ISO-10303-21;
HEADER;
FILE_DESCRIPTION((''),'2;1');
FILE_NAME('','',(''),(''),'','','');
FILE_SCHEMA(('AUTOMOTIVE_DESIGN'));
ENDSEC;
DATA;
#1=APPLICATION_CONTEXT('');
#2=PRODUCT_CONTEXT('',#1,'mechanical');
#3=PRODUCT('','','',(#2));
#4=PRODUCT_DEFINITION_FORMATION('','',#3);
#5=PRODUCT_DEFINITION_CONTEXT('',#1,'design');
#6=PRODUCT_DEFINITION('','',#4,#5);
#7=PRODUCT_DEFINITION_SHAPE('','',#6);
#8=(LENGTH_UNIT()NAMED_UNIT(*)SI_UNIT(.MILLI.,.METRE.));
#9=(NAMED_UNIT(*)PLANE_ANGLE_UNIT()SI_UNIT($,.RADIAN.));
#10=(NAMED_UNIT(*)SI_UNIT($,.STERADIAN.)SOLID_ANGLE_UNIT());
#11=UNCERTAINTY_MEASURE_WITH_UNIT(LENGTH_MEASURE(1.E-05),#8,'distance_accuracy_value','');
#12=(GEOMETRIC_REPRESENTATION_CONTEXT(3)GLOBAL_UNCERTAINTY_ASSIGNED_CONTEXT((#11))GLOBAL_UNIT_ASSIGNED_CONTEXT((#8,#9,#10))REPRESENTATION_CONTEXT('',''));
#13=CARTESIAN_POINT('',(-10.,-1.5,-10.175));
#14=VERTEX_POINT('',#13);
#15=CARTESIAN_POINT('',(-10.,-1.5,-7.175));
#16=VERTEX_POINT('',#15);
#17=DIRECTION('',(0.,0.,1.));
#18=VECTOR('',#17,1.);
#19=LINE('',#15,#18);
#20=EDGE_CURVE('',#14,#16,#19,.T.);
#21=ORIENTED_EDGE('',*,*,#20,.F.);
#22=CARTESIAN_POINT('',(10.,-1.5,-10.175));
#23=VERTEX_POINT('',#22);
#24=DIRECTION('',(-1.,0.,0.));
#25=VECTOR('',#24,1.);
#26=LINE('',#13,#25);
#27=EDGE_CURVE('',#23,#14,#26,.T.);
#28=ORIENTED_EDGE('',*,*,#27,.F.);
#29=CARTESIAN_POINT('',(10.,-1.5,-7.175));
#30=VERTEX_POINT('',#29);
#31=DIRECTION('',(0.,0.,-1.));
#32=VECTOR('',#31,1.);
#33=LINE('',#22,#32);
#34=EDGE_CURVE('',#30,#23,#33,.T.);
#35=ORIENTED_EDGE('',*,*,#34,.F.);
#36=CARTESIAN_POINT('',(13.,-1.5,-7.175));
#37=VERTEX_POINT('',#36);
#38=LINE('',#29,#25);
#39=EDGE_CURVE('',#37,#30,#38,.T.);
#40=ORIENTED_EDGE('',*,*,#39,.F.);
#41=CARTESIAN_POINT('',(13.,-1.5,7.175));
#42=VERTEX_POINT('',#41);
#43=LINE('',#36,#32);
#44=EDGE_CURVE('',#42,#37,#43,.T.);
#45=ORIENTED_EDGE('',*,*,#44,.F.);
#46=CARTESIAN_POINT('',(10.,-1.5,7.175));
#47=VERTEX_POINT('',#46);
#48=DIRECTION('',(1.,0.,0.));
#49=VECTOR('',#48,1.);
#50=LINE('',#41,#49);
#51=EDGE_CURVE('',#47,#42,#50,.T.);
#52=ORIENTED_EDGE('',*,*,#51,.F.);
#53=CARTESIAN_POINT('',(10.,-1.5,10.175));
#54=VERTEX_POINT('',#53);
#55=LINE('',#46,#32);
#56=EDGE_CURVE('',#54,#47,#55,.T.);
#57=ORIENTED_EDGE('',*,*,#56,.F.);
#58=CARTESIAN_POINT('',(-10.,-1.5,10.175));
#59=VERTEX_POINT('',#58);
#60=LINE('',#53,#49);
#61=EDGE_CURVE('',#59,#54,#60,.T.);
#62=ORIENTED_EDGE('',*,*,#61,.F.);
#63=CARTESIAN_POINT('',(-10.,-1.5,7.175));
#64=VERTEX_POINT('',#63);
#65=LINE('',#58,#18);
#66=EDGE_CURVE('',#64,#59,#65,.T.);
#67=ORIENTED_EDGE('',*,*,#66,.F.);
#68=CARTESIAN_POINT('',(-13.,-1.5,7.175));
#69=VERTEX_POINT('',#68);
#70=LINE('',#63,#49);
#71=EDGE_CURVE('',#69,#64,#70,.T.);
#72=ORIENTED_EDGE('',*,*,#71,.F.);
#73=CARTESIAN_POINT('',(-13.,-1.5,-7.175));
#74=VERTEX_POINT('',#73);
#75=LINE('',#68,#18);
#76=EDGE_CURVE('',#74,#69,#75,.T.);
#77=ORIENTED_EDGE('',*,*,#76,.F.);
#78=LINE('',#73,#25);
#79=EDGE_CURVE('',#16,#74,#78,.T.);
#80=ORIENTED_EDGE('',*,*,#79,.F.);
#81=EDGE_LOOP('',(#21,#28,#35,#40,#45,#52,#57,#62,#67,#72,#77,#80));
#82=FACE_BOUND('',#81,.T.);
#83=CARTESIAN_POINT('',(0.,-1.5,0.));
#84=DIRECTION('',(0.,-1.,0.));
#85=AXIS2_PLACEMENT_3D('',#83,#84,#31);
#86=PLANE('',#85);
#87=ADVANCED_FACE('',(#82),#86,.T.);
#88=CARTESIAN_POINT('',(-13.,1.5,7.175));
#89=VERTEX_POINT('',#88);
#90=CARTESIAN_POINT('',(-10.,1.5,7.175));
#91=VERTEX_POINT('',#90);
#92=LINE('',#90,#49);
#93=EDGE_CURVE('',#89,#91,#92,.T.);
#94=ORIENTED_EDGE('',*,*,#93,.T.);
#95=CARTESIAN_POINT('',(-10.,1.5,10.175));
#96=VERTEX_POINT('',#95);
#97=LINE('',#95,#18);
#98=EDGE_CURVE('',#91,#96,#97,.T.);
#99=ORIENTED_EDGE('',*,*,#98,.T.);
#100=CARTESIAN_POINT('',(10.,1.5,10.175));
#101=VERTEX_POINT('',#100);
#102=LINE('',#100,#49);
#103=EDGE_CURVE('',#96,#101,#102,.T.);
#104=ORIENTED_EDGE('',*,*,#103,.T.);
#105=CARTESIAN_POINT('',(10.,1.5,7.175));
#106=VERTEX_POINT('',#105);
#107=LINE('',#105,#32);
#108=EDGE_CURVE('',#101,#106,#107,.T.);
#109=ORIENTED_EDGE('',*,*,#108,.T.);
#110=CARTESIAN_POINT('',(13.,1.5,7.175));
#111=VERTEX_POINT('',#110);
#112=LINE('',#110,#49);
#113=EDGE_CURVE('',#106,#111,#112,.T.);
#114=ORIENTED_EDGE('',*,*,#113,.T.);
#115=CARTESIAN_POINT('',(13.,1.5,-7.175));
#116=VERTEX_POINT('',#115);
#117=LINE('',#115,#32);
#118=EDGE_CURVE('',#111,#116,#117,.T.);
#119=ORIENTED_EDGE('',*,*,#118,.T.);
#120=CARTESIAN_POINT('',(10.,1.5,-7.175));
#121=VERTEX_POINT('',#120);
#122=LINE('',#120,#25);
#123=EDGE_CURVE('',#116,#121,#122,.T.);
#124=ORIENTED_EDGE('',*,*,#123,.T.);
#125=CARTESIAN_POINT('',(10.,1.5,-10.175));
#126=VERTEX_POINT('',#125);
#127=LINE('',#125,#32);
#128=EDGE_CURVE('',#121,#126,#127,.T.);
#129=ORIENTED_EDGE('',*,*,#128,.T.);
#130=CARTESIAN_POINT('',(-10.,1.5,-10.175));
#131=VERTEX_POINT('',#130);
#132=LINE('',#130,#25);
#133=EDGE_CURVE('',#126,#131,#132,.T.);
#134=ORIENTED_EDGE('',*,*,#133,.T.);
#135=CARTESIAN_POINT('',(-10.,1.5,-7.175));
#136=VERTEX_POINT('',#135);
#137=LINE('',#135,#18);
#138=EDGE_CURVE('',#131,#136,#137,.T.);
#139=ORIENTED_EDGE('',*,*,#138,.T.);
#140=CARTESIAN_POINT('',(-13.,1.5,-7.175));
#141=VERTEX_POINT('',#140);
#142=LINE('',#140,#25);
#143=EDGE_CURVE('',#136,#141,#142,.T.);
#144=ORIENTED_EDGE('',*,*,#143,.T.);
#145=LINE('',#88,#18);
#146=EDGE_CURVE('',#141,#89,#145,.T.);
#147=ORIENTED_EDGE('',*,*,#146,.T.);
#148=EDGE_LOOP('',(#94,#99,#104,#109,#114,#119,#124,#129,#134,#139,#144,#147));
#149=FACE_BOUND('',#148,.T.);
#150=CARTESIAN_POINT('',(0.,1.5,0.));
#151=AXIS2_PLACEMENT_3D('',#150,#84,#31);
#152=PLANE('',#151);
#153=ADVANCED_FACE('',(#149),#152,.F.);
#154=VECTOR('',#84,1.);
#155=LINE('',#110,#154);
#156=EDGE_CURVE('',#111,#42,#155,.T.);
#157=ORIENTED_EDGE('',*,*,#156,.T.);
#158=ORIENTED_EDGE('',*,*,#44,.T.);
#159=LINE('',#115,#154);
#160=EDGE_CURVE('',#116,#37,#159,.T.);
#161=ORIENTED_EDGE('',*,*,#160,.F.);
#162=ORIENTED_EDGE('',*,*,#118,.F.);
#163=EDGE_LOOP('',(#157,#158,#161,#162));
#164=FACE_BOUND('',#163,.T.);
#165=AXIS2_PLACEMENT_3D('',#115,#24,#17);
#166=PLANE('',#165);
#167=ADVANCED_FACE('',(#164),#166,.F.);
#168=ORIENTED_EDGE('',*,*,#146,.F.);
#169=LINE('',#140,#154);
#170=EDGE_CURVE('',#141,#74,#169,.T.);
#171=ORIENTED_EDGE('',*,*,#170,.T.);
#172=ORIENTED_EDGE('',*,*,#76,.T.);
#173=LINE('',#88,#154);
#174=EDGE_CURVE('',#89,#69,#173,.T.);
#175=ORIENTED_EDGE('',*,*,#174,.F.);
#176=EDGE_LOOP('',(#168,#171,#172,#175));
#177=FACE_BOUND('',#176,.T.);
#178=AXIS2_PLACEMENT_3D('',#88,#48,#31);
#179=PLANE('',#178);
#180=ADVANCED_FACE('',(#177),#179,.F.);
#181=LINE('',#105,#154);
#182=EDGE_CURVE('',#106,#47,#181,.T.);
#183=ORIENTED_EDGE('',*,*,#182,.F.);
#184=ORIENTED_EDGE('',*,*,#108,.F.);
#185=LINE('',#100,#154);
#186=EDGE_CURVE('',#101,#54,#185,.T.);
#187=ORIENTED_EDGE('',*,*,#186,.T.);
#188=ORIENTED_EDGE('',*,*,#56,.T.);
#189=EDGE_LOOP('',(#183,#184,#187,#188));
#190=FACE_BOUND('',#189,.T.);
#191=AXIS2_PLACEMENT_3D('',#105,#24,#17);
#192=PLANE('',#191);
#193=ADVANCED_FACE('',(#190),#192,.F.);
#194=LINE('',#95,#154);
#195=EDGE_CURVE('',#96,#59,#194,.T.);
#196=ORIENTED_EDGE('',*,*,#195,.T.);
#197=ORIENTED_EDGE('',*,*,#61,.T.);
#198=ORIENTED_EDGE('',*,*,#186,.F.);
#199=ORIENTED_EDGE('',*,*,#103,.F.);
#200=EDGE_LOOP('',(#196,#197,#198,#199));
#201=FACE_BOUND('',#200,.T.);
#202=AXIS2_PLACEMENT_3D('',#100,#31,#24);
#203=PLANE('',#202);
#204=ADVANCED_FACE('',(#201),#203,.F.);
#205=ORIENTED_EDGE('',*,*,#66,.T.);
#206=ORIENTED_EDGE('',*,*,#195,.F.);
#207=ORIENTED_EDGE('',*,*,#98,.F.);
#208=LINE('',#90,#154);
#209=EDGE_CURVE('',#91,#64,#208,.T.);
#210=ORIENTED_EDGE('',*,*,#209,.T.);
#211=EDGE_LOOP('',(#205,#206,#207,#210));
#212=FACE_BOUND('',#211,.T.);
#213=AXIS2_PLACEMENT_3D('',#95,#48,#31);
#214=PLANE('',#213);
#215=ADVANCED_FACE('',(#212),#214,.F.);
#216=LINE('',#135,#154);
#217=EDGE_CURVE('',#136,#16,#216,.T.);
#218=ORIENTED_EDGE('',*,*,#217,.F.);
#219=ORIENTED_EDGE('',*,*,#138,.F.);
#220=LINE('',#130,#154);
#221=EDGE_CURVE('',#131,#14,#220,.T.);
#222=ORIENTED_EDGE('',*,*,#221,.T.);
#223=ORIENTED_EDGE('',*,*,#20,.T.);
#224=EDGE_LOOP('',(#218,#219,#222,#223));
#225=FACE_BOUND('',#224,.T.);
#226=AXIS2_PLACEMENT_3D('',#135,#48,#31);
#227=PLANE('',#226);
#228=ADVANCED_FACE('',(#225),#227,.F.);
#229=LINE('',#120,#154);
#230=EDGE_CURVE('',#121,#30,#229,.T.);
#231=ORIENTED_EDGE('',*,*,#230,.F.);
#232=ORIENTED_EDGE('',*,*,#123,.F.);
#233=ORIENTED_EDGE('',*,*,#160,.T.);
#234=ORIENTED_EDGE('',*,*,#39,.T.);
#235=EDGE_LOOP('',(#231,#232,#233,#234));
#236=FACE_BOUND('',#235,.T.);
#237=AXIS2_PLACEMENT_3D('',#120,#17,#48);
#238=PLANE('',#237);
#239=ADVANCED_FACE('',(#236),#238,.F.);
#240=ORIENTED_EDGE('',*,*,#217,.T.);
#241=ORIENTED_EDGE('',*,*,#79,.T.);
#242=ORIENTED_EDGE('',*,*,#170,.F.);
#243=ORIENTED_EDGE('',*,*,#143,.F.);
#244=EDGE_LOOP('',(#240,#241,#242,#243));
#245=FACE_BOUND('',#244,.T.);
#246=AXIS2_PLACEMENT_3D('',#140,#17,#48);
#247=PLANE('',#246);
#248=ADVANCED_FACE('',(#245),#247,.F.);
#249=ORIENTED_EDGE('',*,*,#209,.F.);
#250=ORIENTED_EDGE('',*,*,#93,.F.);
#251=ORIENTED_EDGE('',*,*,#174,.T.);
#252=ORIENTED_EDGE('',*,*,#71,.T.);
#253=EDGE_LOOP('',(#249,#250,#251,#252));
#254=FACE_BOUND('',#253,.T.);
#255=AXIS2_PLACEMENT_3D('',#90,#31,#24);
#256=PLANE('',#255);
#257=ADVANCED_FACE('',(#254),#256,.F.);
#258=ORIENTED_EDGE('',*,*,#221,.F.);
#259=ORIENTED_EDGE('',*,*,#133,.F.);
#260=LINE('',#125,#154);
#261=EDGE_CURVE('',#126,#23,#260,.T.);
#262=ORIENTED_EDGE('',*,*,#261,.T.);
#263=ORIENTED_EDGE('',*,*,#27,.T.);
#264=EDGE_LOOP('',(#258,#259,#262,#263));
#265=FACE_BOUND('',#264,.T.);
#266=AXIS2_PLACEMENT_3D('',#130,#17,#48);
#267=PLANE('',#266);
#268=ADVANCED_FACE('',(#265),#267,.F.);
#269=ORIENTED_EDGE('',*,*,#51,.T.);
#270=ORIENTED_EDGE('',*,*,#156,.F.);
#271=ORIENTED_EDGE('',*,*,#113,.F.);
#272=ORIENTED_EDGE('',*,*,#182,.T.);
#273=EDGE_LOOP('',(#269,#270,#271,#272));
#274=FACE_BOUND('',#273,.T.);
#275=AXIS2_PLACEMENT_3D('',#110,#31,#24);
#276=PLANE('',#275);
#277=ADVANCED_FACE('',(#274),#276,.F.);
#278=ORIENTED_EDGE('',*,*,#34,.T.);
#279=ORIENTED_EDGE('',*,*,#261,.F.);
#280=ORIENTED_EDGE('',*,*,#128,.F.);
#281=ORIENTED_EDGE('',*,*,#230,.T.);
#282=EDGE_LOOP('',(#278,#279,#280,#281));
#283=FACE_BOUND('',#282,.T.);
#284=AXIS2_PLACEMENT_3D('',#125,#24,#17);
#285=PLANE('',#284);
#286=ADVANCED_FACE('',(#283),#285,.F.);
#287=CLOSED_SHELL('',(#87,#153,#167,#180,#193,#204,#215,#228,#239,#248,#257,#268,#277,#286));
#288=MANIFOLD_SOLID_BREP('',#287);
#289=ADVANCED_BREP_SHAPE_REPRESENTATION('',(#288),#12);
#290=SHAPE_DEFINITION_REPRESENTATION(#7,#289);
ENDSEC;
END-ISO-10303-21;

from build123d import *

# Parameters (mm, degrees)
BOSS_EXTRUDE1_DEPTH = 1.5


with BuildPart() as part:
    # Sketch1 → Boss-Extrude1 (new body, symmetric)
    with BuildSketch(Plane(origin=(0, 0, 0), x_dir=(1, 0, 0), z_dir=(0, 1, 0))):
        Polygon((-10, 10.175), (10, 10.175), (10, 7.175), (13, 7.175), (13, -7.175), (10, -7.175), (10, -10.175), (-10, -10.175), (-10, -7.175), (-13, -7.175), (-13, 7.175), (-10, 7.175), align=None)
    extrude(amount=BOSS_EXTRUDE1_DEPTH, both=True)


solid = part.part
